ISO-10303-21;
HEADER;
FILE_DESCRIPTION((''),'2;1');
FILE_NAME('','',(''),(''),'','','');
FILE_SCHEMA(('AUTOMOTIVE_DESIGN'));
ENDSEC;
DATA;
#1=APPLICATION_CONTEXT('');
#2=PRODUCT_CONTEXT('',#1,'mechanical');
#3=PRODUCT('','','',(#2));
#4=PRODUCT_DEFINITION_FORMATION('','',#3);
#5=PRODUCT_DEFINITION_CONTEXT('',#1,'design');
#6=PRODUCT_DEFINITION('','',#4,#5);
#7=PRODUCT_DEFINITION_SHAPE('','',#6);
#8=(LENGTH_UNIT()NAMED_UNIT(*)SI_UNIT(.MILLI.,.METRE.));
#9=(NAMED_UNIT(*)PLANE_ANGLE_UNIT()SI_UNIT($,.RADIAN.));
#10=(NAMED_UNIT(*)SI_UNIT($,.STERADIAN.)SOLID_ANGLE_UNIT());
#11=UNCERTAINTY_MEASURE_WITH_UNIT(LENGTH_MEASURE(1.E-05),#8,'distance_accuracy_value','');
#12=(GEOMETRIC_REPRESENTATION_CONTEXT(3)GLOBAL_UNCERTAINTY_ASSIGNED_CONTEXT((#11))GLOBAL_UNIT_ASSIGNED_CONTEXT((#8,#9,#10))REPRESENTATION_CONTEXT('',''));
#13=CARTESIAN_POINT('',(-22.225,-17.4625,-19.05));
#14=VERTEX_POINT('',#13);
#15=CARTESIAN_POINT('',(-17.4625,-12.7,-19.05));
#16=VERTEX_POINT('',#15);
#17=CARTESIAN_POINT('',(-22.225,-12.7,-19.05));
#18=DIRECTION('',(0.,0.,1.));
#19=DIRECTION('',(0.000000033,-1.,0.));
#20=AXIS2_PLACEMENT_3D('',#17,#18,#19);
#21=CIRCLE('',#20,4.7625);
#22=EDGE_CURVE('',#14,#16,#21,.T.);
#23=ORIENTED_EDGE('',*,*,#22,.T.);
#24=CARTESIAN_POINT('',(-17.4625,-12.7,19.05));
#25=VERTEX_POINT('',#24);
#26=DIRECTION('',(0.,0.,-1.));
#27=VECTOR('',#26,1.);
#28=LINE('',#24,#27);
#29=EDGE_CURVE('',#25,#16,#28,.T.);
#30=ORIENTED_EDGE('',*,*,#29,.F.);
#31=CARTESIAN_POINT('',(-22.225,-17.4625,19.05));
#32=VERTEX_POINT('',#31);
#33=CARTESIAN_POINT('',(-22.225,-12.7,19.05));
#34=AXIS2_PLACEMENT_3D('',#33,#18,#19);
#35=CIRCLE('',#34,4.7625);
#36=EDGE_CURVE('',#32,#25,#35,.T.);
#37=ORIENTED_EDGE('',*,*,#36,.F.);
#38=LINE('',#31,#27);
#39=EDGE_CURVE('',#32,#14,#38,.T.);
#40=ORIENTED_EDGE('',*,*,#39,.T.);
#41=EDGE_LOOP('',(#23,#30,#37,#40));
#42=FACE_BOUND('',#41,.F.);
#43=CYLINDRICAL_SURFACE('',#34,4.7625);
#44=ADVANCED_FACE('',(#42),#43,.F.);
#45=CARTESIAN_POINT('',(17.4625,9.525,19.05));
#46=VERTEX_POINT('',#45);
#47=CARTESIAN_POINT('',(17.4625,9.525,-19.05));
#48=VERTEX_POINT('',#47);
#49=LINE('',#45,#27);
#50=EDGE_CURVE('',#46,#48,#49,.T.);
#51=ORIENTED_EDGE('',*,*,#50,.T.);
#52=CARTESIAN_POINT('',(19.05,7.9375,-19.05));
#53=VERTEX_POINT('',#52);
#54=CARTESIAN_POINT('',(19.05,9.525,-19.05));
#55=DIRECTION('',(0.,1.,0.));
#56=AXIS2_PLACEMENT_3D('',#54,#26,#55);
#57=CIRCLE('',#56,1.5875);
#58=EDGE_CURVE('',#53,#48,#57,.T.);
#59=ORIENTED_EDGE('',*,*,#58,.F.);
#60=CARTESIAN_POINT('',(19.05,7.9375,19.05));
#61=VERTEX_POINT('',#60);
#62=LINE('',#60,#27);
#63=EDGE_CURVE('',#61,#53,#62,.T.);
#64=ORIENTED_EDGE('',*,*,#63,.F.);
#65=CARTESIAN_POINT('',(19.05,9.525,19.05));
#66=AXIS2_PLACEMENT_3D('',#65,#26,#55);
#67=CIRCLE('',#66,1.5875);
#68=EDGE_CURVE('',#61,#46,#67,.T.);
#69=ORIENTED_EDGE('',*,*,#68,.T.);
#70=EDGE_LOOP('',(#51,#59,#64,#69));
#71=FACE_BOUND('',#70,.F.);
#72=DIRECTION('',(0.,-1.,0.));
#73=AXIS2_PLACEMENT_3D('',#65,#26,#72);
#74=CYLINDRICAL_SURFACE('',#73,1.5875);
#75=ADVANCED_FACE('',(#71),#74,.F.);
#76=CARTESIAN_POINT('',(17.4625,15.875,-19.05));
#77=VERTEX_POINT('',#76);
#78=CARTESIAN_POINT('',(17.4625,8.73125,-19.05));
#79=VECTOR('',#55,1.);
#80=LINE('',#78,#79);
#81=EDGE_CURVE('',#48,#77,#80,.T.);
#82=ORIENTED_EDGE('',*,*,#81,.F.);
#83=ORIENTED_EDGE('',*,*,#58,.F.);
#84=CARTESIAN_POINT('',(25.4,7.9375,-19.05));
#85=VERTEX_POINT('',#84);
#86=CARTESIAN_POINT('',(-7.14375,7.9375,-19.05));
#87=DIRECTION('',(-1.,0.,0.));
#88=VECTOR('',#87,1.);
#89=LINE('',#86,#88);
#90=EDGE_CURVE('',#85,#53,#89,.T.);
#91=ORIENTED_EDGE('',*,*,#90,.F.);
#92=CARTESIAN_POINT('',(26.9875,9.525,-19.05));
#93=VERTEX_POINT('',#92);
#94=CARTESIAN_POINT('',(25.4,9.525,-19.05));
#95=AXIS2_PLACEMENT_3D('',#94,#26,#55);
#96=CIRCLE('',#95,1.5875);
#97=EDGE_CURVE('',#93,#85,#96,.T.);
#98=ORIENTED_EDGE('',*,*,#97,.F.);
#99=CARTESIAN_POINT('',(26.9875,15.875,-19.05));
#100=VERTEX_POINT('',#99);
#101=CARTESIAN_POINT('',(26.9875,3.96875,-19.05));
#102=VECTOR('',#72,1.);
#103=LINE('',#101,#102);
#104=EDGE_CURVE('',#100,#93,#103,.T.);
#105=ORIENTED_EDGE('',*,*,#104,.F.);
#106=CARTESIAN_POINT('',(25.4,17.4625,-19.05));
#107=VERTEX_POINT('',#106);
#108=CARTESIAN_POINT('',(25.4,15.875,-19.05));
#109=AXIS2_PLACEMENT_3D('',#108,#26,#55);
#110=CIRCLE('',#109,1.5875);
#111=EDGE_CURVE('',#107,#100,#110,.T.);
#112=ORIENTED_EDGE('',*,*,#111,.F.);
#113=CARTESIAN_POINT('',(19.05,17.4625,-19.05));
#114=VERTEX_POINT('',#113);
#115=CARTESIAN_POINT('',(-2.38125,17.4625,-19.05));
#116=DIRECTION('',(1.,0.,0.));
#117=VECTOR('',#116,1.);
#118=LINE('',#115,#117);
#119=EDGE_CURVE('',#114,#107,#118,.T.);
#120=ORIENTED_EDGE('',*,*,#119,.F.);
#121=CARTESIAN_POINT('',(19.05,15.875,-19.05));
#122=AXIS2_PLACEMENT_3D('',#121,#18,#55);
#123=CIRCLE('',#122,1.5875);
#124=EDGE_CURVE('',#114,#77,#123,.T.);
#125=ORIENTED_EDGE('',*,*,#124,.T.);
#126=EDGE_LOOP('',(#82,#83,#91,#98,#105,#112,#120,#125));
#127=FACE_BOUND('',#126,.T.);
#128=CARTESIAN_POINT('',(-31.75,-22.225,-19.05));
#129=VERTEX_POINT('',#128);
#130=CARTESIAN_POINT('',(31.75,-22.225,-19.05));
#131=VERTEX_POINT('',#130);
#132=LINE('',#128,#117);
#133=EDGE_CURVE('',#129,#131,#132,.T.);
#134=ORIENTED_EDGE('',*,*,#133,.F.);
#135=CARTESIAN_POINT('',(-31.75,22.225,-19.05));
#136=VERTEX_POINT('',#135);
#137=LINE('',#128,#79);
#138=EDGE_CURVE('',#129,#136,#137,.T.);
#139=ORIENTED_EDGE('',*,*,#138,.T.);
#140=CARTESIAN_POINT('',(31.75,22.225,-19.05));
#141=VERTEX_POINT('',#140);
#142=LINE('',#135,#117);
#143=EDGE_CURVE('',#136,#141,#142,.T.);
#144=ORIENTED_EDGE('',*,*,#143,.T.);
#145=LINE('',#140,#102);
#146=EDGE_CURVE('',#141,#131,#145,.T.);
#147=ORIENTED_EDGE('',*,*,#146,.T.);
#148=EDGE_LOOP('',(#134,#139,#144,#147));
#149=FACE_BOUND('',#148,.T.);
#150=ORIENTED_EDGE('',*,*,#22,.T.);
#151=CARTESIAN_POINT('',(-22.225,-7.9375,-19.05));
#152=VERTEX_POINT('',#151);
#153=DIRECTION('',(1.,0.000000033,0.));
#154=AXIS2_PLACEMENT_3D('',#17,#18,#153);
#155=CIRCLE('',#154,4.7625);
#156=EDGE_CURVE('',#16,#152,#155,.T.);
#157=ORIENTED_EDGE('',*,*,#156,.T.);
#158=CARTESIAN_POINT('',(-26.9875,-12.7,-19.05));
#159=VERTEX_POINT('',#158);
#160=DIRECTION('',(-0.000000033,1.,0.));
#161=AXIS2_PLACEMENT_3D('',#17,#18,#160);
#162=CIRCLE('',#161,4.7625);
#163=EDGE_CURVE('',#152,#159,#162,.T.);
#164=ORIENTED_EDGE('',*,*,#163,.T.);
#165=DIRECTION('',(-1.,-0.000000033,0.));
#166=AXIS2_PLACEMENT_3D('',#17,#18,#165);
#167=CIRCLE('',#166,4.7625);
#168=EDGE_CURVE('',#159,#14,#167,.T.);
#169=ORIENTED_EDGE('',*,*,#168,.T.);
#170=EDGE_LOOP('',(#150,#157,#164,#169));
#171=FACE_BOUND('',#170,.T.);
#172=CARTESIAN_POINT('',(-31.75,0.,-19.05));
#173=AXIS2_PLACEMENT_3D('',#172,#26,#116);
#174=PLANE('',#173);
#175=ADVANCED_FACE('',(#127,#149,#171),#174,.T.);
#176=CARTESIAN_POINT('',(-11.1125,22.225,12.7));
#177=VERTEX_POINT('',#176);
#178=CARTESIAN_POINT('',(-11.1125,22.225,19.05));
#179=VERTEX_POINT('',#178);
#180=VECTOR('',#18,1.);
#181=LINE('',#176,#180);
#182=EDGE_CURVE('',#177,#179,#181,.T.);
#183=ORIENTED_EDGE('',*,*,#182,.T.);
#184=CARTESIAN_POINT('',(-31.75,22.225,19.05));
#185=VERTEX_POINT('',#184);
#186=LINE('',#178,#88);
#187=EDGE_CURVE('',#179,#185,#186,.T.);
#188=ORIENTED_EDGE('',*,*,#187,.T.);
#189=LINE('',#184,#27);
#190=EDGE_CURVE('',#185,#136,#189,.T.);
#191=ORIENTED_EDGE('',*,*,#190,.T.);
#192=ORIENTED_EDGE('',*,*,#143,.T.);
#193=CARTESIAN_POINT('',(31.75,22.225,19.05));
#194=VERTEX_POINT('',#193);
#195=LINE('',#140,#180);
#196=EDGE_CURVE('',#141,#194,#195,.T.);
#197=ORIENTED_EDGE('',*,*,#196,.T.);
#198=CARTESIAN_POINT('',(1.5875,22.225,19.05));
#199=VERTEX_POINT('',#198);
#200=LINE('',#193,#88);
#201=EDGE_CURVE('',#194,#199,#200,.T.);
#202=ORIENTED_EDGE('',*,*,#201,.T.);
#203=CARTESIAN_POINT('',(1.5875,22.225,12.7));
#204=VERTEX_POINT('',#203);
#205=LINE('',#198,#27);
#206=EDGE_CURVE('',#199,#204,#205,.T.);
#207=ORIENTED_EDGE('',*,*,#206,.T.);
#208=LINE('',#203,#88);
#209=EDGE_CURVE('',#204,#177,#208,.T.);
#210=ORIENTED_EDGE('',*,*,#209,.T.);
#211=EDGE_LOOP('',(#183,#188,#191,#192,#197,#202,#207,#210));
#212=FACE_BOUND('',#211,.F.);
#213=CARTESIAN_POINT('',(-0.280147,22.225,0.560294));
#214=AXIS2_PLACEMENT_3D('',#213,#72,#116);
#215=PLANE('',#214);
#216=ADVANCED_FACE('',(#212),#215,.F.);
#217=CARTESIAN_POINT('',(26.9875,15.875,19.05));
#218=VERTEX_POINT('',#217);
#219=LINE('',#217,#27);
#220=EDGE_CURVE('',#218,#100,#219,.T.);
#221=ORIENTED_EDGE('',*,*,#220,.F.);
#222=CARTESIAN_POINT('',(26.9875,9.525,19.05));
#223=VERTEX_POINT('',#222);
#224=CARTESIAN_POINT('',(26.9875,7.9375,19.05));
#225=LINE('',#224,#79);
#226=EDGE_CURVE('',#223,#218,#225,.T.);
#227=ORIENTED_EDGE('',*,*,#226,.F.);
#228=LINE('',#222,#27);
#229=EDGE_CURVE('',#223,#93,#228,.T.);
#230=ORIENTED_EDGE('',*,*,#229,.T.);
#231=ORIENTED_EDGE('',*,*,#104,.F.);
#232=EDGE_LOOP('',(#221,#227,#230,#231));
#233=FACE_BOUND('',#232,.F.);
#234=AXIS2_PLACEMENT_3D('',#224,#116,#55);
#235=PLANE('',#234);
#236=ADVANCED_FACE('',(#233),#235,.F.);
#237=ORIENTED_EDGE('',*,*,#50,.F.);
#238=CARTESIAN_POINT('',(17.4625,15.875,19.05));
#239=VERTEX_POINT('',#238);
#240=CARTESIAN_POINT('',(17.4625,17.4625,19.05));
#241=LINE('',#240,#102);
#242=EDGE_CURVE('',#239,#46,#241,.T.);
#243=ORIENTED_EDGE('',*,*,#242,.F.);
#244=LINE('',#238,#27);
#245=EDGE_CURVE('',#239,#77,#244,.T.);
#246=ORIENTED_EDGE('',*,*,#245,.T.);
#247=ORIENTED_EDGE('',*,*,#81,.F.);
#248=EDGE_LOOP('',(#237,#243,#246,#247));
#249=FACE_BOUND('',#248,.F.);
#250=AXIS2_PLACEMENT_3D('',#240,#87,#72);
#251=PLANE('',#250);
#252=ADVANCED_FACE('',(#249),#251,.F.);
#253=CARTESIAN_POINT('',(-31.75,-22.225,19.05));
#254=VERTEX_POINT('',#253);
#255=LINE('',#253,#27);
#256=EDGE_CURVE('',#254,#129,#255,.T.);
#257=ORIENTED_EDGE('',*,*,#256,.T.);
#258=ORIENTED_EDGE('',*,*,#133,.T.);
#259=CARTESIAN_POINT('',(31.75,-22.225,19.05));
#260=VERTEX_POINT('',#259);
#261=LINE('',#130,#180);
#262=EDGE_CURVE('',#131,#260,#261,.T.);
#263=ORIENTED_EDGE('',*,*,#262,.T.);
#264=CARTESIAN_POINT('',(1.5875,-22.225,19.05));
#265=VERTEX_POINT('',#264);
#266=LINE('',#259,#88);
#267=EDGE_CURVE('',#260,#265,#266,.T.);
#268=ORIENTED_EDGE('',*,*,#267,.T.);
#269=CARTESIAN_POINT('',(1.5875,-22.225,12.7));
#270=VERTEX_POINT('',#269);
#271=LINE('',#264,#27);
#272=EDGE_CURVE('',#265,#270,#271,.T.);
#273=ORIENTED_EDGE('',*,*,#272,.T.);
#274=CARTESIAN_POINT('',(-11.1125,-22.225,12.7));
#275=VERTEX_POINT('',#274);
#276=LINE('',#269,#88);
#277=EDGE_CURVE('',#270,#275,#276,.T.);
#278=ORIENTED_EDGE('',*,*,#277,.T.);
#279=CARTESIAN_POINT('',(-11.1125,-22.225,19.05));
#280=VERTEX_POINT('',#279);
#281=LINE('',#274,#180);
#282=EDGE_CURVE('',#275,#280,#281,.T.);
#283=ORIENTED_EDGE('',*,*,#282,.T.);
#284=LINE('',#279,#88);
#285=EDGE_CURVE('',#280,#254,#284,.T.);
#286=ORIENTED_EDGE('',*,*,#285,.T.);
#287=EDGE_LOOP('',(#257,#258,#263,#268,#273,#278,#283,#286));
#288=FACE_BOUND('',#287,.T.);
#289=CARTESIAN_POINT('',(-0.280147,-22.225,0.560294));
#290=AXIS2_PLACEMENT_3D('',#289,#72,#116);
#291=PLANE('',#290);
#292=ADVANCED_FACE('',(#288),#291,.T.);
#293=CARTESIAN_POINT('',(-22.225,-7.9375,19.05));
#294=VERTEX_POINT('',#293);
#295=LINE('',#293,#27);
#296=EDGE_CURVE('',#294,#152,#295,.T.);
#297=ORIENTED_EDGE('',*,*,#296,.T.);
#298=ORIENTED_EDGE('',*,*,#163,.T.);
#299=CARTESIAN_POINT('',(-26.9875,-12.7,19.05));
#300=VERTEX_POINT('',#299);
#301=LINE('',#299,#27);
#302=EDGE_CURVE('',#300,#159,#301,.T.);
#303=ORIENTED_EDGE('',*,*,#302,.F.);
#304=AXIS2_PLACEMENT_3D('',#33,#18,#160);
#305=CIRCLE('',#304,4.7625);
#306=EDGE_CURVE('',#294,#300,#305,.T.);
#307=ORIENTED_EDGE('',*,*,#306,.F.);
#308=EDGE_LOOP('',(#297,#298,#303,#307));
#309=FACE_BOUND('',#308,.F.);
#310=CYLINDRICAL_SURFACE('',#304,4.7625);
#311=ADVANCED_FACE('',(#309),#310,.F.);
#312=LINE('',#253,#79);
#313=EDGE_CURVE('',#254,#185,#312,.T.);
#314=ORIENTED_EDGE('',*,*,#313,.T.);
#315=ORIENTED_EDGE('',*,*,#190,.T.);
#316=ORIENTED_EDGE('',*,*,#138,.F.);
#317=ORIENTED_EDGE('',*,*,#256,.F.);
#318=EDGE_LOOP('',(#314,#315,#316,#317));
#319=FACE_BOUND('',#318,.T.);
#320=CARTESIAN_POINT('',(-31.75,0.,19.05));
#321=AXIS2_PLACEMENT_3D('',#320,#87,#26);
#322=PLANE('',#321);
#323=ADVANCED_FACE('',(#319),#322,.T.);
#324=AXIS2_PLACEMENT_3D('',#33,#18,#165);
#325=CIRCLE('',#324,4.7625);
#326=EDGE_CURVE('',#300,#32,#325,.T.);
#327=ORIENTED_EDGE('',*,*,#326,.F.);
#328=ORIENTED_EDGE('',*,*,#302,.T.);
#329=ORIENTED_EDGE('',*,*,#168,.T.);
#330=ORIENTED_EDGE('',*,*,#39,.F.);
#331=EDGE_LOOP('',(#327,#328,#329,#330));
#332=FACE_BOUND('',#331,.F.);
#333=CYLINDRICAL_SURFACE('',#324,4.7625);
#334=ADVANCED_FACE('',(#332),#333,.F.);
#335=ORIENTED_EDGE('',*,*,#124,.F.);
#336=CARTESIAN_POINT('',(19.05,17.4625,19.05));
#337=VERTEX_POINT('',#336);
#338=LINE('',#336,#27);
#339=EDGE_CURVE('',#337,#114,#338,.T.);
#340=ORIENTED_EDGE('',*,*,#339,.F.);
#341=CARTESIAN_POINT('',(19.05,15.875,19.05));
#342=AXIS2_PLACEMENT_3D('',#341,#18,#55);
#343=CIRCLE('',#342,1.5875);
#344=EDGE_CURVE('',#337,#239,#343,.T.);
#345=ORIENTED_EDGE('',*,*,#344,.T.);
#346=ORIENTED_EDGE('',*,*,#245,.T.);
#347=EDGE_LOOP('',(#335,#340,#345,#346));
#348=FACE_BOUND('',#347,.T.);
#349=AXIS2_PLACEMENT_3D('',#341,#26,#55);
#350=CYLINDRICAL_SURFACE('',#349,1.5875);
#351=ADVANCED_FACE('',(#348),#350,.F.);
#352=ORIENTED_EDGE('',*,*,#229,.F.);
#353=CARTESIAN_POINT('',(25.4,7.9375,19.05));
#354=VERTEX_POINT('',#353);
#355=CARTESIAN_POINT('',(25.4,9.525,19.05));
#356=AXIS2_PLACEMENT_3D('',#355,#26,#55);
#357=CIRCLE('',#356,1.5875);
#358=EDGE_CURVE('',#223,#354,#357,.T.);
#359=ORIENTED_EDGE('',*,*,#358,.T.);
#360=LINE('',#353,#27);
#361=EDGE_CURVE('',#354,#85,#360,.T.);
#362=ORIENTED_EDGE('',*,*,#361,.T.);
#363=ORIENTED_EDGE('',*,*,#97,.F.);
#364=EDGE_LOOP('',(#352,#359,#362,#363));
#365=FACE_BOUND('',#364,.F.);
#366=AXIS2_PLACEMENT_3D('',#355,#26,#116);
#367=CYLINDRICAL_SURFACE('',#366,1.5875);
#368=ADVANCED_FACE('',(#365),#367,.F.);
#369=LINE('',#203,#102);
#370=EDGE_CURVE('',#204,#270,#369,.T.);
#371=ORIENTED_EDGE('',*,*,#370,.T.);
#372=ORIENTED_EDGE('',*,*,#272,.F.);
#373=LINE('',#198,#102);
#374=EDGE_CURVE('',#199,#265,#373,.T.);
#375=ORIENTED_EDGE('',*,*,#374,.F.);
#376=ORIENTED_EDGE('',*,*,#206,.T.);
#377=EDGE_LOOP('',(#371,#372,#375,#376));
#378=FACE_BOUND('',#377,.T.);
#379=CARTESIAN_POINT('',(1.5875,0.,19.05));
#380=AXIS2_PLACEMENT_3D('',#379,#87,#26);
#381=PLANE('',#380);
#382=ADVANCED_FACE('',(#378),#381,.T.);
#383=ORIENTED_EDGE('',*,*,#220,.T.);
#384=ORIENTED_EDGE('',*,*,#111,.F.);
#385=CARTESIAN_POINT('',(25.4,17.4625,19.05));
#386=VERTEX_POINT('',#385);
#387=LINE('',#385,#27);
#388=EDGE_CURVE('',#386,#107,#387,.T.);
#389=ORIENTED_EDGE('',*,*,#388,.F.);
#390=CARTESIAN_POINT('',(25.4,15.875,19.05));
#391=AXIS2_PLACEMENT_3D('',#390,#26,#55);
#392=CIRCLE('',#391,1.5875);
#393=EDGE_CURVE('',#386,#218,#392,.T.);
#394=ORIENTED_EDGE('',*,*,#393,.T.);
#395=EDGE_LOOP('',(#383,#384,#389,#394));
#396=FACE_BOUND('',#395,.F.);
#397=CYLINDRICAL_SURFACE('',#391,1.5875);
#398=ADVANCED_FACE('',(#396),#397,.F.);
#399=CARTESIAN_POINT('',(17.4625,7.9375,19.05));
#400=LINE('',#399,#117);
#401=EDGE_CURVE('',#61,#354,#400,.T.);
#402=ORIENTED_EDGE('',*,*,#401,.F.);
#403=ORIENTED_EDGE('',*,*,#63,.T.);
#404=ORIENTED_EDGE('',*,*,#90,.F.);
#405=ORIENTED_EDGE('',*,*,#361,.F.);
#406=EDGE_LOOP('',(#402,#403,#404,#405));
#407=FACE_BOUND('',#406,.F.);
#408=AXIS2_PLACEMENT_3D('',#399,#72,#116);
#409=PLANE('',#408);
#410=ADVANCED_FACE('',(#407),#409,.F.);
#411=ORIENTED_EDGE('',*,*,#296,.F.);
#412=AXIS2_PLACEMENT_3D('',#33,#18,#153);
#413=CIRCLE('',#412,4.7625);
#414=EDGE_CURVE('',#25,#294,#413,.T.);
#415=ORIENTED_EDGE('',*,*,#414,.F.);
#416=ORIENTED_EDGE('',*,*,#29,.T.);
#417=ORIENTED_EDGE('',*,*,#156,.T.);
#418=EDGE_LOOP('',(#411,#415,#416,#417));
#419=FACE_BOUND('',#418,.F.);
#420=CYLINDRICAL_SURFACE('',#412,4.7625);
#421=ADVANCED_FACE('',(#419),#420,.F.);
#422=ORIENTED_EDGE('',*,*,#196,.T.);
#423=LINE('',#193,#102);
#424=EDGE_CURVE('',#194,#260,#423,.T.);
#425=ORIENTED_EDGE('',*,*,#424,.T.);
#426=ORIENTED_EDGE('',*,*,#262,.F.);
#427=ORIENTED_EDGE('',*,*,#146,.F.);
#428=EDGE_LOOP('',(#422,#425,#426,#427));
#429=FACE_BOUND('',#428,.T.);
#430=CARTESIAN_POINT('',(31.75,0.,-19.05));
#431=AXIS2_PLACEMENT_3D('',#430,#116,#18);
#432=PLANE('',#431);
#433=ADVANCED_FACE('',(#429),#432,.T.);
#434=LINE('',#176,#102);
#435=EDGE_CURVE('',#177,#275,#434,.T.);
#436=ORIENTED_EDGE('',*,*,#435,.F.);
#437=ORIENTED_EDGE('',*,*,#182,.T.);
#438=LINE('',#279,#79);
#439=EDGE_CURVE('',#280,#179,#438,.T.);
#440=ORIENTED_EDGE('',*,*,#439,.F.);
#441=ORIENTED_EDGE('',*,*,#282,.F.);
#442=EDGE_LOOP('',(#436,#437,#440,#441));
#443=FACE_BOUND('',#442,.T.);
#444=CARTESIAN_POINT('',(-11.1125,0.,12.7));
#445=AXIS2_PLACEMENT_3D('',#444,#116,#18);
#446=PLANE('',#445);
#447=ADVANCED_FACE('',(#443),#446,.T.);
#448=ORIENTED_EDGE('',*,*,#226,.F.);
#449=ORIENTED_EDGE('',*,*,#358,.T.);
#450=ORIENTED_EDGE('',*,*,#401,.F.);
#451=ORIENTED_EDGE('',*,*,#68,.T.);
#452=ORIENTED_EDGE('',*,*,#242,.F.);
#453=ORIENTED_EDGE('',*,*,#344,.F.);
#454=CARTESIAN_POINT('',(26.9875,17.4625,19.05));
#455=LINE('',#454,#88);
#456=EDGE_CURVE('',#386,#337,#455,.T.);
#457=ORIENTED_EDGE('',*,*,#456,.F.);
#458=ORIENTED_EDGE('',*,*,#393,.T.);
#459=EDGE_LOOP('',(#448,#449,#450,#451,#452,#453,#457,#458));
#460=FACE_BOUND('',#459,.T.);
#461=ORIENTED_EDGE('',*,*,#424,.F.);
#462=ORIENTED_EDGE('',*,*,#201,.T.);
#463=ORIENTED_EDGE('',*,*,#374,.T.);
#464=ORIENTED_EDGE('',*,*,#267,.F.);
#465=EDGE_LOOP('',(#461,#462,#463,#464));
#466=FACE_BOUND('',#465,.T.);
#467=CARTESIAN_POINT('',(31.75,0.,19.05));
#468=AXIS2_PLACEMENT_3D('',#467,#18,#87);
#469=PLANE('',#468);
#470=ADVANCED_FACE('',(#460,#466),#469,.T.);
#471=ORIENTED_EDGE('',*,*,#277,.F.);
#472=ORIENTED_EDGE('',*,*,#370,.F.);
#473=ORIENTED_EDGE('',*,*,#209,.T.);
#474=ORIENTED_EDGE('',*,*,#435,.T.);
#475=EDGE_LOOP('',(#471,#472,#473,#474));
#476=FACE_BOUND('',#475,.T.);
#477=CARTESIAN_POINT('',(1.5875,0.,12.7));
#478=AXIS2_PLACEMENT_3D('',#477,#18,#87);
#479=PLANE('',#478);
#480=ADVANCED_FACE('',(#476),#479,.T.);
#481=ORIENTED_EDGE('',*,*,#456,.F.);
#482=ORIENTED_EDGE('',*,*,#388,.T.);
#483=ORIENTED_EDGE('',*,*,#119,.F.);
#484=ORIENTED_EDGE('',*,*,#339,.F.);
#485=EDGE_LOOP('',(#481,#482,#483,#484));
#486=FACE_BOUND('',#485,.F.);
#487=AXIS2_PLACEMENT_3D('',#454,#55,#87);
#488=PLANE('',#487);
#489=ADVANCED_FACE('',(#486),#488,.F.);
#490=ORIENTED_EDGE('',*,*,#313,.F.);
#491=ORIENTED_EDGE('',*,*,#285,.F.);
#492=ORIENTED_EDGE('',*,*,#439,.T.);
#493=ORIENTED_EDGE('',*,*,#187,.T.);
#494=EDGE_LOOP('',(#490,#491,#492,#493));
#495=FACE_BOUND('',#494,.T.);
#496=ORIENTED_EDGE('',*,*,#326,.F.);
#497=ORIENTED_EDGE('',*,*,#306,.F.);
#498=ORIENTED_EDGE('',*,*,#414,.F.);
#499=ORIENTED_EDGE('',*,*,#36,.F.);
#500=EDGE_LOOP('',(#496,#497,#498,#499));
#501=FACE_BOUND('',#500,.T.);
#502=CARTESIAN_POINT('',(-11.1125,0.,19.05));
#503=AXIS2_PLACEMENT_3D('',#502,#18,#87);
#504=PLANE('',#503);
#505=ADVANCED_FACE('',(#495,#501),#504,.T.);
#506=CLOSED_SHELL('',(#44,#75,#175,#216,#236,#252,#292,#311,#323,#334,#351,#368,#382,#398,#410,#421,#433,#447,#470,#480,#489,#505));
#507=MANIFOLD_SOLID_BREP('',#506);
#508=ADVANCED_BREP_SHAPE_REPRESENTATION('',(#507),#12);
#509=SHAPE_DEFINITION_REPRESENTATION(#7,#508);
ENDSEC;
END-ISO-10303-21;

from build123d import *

# Parameters (mm, degrees)
F1_DEPTH = 22.225
F2_W     = 4.7625
F2_H     = 4.7625
F3_DEPTH = 38.101
F4_R     = 1.5875


with BuildPart() as f1:
    # F0 (on Front) → F1 (new body, symmetric)
    with BuildSketch(Plane.XZ):
        Polygon((-31.75, -19.05), (31.75, -19.05), (31.75, 19.05), (1.5875, 19.05), (1.5875, 12.7), (-11.1125, 12.7), (-11.1125, 19.05), (-31.75, 19.05), align=None)
    extrude(amount=F1_DEPTH, both=True)

    # F2 (on face) → F3 (cut, through all)
    with BuildSketch(Plane.XY.offset(19.05)):
        with BuildLine():
            ThreePointArc((-26.9875, -12.7), (-25.592596, -16.067596), (-22.225, -17.4625))
            Line((-22.225, -17.4625), (-22.225, -12.7))
            Line((-22.225, -12.7), (-26.9875, -12.7))
        make_face()
        with BuildLine():
            Line((-22.225, -12.7), (-22.225, -17.4625))
            ThreePointArc((-22.225, -17.4625), (-18.857404, -16.067596), (-17.4625, -12.7))
            Line((-17.4625, -12.7), (-22.225, -12.7))
        make_face()
        with BuildLine():
            Line((-26.9875, -12.7), (-22.225, -12.7))
            Line((-22.225, -12.7), (-22.225, -7.9375))
            ThreePointArc((-22.225, -7.9375), (-25.592596, -9.332404), (-26.9875, -12.7))
        make_face()
        with BuildLine():
            Line((-22.225, -7.9375), (-22.225, -12.7))
            Line((-22.225, -12.7), (-17.4625, -12.7))
            ThreePointArc((-17.4625, -12.7), (-18.857404, -9.332404), (-22.225, -7.9375))
        make_face()
        with Locations((24.60625, 15.08125)):
            Rectangle(F2_W, F2_H)
        with Locations((19.84375, 15.08125)):
            Rectangle(F2_W, F2_H)
        with Locations((24.60625, 10.31875)):
            Rectangle(F2_W, F2_H)
        with Locations((19.84375, 10.31875)):
            Rectangle(F2_W, F2_H)
    extrude(amount=-F3_DEPTH, mode=Mode.SUBTRACT)

    # F4
    f4_edges = [f1.edges().sort_by_distance(p)[0] for p in [
        (17.4625, 17.4625, 0),
        (17.4625, 7.9375, 0),
        (26.9875, 7.9375, 0),
        (26.9875, 17.4625, 0),
    ]]
    fillet(f4_edges, radius=F4_R)


solid = f1.part
